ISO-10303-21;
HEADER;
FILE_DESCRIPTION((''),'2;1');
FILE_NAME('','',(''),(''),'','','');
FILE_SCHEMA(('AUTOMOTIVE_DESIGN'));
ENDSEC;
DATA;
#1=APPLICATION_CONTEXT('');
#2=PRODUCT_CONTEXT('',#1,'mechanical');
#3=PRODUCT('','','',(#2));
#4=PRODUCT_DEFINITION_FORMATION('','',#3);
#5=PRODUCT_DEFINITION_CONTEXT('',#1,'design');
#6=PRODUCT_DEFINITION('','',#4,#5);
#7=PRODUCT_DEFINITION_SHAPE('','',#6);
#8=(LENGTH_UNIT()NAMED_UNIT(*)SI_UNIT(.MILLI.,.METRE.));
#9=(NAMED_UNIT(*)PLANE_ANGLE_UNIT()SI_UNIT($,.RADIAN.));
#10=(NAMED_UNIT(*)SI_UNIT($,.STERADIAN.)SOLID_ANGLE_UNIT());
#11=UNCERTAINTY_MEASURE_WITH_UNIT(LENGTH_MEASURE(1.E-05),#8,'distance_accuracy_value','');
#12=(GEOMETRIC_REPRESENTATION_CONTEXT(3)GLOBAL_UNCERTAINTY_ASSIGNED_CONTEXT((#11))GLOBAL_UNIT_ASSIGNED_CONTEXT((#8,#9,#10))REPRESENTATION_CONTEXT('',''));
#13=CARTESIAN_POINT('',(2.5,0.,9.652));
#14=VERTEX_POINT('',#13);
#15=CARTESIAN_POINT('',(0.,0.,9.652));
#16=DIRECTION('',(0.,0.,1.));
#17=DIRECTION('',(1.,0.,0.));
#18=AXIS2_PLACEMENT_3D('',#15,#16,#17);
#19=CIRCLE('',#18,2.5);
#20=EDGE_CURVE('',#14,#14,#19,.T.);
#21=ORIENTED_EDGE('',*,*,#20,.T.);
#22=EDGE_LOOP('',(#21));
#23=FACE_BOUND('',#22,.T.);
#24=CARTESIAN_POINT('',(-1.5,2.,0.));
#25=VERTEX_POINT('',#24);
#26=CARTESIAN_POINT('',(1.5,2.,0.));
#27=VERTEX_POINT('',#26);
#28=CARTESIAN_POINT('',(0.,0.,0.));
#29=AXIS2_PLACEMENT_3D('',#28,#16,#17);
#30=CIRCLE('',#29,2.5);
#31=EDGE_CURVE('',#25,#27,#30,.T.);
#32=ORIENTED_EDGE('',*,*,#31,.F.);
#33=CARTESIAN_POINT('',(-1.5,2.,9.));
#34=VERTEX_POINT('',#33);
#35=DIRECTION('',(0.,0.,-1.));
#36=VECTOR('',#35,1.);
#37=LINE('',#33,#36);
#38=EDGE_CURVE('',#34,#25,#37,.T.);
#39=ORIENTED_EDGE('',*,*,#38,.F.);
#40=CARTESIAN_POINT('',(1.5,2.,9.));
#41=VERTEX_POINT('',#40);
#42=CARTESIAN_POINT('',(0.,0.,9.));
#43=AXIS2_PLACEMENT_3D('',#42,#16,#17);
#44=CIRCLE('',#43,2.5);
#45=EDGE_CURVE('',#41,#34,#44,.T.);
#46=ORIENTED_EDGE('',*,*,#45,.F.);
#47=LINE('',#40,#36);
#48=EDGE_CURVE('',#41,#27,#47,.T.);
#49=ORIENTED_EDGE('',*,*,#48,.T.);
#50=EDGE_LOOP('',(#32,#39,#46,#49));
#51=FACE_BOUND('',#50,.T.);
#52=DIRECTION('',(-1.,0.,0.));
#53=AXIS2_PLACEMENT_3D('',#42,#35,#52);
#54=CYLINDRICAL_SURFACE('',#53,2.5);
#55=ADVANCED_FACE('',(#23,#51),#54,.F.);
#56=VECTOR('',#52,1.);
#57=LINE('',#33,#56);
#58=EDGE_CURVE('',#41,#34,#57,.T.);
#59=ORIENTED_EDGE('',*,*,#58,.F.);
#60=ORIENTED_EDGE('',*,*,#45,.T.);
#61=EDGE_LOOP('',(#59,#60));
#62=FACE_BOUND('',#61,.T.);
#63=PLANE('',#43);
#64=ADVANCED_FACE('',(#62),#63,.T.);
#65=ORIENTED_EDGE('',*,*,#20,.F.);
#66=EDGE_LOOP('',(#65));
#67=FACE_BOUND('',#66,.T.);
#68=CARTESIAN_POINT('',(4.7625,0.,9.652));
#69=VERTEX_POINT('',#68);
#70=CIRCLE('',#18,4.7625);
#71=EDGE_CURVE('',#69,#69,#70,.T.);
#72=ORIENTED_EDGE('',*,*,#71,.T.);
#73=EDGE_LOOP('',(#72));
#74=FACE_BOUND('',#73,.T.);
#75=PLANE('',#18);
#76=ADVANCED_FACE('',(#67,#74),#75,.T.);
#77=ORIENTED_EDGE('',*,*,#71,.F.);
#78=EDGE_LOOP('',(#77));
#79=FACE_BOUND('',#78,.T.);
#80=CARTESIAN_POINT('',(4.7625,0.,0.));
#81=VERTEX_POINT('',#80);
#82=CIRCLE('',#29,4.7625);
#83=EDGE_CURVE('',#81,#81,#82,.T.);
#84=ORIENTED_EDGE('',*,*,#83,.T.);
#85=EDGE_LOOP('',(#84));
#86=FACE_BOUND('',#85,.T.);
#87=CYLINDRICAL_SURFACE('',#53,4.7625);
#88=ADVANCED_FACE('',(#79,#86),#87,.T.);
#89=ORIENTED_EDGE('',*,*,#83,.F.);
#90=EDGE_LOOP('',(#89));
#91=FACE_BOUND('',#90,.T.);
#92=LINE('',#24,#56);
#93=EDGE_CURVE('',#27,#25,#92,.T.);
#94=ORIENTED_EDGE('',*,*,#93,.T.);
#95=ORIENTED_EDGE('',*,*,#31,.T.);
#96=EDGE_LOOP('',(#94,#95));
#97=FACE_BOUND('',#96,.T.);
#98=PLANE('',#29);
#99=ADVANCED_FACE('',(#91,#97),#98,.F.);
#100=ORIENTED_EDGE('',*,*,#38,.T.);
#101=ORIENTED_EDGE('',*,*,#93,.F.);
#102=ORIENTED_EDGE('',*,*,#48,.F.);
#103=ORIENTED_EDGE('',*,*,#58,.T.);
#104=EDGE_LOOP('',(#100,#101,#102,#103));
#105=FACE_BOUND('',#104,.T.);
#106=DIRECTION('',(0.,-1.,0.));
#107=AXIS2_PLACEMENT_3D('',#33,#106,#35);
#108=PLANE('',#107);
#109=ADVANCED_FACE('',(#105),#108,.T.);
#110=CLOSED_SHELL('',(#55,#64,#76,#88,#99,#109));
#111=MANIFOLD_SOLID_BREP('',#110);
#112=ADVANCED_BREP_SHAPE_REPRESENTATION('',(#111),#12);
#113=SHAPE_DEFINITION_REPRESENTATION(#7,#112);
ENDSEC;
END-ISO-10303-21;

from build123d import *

# Parameters (mm, degrees)
SKETCH1_R           = 4.7625
BOSS_EXTRUDE1_DEPTH = 9
SKETCH2_R           = 4.7625
SKETCH2_R_2         = 2.5
BOSS_EXTRUDE2_DEPTH = 0.652


with BuildPart() as part:
    # Sketch1 → Boss-Extrude1 (new body)
    with BuildSketch(Plane.XY):
        Circle(SKETCH1_R)
        with BuildLine():
            Line((-1.5, 2), (1.5, 2))
            ThreePointArc((1.5, 2), (0, -2.5), (-1.5, 2))
        make_face(mode=Mode.SUBTRACT)
    extrude(amount=BOSS_EXTRUDE1_DEPTH)

    # Sketch2 → Boss-Extrude2 (add)
    with BuildSketch(Plane.XY.offset(9)):
        Circle(SKETCH2_R)
        with Locations(Location((0, 0, 0), (0, 0, 126.869897646))):
            Circle(SKETCH2_R_2, mode=Mode.SUBTRACT)
    extrude(amount=BOSS_EXTRUDE2_DEPTH)


solid = part.part
